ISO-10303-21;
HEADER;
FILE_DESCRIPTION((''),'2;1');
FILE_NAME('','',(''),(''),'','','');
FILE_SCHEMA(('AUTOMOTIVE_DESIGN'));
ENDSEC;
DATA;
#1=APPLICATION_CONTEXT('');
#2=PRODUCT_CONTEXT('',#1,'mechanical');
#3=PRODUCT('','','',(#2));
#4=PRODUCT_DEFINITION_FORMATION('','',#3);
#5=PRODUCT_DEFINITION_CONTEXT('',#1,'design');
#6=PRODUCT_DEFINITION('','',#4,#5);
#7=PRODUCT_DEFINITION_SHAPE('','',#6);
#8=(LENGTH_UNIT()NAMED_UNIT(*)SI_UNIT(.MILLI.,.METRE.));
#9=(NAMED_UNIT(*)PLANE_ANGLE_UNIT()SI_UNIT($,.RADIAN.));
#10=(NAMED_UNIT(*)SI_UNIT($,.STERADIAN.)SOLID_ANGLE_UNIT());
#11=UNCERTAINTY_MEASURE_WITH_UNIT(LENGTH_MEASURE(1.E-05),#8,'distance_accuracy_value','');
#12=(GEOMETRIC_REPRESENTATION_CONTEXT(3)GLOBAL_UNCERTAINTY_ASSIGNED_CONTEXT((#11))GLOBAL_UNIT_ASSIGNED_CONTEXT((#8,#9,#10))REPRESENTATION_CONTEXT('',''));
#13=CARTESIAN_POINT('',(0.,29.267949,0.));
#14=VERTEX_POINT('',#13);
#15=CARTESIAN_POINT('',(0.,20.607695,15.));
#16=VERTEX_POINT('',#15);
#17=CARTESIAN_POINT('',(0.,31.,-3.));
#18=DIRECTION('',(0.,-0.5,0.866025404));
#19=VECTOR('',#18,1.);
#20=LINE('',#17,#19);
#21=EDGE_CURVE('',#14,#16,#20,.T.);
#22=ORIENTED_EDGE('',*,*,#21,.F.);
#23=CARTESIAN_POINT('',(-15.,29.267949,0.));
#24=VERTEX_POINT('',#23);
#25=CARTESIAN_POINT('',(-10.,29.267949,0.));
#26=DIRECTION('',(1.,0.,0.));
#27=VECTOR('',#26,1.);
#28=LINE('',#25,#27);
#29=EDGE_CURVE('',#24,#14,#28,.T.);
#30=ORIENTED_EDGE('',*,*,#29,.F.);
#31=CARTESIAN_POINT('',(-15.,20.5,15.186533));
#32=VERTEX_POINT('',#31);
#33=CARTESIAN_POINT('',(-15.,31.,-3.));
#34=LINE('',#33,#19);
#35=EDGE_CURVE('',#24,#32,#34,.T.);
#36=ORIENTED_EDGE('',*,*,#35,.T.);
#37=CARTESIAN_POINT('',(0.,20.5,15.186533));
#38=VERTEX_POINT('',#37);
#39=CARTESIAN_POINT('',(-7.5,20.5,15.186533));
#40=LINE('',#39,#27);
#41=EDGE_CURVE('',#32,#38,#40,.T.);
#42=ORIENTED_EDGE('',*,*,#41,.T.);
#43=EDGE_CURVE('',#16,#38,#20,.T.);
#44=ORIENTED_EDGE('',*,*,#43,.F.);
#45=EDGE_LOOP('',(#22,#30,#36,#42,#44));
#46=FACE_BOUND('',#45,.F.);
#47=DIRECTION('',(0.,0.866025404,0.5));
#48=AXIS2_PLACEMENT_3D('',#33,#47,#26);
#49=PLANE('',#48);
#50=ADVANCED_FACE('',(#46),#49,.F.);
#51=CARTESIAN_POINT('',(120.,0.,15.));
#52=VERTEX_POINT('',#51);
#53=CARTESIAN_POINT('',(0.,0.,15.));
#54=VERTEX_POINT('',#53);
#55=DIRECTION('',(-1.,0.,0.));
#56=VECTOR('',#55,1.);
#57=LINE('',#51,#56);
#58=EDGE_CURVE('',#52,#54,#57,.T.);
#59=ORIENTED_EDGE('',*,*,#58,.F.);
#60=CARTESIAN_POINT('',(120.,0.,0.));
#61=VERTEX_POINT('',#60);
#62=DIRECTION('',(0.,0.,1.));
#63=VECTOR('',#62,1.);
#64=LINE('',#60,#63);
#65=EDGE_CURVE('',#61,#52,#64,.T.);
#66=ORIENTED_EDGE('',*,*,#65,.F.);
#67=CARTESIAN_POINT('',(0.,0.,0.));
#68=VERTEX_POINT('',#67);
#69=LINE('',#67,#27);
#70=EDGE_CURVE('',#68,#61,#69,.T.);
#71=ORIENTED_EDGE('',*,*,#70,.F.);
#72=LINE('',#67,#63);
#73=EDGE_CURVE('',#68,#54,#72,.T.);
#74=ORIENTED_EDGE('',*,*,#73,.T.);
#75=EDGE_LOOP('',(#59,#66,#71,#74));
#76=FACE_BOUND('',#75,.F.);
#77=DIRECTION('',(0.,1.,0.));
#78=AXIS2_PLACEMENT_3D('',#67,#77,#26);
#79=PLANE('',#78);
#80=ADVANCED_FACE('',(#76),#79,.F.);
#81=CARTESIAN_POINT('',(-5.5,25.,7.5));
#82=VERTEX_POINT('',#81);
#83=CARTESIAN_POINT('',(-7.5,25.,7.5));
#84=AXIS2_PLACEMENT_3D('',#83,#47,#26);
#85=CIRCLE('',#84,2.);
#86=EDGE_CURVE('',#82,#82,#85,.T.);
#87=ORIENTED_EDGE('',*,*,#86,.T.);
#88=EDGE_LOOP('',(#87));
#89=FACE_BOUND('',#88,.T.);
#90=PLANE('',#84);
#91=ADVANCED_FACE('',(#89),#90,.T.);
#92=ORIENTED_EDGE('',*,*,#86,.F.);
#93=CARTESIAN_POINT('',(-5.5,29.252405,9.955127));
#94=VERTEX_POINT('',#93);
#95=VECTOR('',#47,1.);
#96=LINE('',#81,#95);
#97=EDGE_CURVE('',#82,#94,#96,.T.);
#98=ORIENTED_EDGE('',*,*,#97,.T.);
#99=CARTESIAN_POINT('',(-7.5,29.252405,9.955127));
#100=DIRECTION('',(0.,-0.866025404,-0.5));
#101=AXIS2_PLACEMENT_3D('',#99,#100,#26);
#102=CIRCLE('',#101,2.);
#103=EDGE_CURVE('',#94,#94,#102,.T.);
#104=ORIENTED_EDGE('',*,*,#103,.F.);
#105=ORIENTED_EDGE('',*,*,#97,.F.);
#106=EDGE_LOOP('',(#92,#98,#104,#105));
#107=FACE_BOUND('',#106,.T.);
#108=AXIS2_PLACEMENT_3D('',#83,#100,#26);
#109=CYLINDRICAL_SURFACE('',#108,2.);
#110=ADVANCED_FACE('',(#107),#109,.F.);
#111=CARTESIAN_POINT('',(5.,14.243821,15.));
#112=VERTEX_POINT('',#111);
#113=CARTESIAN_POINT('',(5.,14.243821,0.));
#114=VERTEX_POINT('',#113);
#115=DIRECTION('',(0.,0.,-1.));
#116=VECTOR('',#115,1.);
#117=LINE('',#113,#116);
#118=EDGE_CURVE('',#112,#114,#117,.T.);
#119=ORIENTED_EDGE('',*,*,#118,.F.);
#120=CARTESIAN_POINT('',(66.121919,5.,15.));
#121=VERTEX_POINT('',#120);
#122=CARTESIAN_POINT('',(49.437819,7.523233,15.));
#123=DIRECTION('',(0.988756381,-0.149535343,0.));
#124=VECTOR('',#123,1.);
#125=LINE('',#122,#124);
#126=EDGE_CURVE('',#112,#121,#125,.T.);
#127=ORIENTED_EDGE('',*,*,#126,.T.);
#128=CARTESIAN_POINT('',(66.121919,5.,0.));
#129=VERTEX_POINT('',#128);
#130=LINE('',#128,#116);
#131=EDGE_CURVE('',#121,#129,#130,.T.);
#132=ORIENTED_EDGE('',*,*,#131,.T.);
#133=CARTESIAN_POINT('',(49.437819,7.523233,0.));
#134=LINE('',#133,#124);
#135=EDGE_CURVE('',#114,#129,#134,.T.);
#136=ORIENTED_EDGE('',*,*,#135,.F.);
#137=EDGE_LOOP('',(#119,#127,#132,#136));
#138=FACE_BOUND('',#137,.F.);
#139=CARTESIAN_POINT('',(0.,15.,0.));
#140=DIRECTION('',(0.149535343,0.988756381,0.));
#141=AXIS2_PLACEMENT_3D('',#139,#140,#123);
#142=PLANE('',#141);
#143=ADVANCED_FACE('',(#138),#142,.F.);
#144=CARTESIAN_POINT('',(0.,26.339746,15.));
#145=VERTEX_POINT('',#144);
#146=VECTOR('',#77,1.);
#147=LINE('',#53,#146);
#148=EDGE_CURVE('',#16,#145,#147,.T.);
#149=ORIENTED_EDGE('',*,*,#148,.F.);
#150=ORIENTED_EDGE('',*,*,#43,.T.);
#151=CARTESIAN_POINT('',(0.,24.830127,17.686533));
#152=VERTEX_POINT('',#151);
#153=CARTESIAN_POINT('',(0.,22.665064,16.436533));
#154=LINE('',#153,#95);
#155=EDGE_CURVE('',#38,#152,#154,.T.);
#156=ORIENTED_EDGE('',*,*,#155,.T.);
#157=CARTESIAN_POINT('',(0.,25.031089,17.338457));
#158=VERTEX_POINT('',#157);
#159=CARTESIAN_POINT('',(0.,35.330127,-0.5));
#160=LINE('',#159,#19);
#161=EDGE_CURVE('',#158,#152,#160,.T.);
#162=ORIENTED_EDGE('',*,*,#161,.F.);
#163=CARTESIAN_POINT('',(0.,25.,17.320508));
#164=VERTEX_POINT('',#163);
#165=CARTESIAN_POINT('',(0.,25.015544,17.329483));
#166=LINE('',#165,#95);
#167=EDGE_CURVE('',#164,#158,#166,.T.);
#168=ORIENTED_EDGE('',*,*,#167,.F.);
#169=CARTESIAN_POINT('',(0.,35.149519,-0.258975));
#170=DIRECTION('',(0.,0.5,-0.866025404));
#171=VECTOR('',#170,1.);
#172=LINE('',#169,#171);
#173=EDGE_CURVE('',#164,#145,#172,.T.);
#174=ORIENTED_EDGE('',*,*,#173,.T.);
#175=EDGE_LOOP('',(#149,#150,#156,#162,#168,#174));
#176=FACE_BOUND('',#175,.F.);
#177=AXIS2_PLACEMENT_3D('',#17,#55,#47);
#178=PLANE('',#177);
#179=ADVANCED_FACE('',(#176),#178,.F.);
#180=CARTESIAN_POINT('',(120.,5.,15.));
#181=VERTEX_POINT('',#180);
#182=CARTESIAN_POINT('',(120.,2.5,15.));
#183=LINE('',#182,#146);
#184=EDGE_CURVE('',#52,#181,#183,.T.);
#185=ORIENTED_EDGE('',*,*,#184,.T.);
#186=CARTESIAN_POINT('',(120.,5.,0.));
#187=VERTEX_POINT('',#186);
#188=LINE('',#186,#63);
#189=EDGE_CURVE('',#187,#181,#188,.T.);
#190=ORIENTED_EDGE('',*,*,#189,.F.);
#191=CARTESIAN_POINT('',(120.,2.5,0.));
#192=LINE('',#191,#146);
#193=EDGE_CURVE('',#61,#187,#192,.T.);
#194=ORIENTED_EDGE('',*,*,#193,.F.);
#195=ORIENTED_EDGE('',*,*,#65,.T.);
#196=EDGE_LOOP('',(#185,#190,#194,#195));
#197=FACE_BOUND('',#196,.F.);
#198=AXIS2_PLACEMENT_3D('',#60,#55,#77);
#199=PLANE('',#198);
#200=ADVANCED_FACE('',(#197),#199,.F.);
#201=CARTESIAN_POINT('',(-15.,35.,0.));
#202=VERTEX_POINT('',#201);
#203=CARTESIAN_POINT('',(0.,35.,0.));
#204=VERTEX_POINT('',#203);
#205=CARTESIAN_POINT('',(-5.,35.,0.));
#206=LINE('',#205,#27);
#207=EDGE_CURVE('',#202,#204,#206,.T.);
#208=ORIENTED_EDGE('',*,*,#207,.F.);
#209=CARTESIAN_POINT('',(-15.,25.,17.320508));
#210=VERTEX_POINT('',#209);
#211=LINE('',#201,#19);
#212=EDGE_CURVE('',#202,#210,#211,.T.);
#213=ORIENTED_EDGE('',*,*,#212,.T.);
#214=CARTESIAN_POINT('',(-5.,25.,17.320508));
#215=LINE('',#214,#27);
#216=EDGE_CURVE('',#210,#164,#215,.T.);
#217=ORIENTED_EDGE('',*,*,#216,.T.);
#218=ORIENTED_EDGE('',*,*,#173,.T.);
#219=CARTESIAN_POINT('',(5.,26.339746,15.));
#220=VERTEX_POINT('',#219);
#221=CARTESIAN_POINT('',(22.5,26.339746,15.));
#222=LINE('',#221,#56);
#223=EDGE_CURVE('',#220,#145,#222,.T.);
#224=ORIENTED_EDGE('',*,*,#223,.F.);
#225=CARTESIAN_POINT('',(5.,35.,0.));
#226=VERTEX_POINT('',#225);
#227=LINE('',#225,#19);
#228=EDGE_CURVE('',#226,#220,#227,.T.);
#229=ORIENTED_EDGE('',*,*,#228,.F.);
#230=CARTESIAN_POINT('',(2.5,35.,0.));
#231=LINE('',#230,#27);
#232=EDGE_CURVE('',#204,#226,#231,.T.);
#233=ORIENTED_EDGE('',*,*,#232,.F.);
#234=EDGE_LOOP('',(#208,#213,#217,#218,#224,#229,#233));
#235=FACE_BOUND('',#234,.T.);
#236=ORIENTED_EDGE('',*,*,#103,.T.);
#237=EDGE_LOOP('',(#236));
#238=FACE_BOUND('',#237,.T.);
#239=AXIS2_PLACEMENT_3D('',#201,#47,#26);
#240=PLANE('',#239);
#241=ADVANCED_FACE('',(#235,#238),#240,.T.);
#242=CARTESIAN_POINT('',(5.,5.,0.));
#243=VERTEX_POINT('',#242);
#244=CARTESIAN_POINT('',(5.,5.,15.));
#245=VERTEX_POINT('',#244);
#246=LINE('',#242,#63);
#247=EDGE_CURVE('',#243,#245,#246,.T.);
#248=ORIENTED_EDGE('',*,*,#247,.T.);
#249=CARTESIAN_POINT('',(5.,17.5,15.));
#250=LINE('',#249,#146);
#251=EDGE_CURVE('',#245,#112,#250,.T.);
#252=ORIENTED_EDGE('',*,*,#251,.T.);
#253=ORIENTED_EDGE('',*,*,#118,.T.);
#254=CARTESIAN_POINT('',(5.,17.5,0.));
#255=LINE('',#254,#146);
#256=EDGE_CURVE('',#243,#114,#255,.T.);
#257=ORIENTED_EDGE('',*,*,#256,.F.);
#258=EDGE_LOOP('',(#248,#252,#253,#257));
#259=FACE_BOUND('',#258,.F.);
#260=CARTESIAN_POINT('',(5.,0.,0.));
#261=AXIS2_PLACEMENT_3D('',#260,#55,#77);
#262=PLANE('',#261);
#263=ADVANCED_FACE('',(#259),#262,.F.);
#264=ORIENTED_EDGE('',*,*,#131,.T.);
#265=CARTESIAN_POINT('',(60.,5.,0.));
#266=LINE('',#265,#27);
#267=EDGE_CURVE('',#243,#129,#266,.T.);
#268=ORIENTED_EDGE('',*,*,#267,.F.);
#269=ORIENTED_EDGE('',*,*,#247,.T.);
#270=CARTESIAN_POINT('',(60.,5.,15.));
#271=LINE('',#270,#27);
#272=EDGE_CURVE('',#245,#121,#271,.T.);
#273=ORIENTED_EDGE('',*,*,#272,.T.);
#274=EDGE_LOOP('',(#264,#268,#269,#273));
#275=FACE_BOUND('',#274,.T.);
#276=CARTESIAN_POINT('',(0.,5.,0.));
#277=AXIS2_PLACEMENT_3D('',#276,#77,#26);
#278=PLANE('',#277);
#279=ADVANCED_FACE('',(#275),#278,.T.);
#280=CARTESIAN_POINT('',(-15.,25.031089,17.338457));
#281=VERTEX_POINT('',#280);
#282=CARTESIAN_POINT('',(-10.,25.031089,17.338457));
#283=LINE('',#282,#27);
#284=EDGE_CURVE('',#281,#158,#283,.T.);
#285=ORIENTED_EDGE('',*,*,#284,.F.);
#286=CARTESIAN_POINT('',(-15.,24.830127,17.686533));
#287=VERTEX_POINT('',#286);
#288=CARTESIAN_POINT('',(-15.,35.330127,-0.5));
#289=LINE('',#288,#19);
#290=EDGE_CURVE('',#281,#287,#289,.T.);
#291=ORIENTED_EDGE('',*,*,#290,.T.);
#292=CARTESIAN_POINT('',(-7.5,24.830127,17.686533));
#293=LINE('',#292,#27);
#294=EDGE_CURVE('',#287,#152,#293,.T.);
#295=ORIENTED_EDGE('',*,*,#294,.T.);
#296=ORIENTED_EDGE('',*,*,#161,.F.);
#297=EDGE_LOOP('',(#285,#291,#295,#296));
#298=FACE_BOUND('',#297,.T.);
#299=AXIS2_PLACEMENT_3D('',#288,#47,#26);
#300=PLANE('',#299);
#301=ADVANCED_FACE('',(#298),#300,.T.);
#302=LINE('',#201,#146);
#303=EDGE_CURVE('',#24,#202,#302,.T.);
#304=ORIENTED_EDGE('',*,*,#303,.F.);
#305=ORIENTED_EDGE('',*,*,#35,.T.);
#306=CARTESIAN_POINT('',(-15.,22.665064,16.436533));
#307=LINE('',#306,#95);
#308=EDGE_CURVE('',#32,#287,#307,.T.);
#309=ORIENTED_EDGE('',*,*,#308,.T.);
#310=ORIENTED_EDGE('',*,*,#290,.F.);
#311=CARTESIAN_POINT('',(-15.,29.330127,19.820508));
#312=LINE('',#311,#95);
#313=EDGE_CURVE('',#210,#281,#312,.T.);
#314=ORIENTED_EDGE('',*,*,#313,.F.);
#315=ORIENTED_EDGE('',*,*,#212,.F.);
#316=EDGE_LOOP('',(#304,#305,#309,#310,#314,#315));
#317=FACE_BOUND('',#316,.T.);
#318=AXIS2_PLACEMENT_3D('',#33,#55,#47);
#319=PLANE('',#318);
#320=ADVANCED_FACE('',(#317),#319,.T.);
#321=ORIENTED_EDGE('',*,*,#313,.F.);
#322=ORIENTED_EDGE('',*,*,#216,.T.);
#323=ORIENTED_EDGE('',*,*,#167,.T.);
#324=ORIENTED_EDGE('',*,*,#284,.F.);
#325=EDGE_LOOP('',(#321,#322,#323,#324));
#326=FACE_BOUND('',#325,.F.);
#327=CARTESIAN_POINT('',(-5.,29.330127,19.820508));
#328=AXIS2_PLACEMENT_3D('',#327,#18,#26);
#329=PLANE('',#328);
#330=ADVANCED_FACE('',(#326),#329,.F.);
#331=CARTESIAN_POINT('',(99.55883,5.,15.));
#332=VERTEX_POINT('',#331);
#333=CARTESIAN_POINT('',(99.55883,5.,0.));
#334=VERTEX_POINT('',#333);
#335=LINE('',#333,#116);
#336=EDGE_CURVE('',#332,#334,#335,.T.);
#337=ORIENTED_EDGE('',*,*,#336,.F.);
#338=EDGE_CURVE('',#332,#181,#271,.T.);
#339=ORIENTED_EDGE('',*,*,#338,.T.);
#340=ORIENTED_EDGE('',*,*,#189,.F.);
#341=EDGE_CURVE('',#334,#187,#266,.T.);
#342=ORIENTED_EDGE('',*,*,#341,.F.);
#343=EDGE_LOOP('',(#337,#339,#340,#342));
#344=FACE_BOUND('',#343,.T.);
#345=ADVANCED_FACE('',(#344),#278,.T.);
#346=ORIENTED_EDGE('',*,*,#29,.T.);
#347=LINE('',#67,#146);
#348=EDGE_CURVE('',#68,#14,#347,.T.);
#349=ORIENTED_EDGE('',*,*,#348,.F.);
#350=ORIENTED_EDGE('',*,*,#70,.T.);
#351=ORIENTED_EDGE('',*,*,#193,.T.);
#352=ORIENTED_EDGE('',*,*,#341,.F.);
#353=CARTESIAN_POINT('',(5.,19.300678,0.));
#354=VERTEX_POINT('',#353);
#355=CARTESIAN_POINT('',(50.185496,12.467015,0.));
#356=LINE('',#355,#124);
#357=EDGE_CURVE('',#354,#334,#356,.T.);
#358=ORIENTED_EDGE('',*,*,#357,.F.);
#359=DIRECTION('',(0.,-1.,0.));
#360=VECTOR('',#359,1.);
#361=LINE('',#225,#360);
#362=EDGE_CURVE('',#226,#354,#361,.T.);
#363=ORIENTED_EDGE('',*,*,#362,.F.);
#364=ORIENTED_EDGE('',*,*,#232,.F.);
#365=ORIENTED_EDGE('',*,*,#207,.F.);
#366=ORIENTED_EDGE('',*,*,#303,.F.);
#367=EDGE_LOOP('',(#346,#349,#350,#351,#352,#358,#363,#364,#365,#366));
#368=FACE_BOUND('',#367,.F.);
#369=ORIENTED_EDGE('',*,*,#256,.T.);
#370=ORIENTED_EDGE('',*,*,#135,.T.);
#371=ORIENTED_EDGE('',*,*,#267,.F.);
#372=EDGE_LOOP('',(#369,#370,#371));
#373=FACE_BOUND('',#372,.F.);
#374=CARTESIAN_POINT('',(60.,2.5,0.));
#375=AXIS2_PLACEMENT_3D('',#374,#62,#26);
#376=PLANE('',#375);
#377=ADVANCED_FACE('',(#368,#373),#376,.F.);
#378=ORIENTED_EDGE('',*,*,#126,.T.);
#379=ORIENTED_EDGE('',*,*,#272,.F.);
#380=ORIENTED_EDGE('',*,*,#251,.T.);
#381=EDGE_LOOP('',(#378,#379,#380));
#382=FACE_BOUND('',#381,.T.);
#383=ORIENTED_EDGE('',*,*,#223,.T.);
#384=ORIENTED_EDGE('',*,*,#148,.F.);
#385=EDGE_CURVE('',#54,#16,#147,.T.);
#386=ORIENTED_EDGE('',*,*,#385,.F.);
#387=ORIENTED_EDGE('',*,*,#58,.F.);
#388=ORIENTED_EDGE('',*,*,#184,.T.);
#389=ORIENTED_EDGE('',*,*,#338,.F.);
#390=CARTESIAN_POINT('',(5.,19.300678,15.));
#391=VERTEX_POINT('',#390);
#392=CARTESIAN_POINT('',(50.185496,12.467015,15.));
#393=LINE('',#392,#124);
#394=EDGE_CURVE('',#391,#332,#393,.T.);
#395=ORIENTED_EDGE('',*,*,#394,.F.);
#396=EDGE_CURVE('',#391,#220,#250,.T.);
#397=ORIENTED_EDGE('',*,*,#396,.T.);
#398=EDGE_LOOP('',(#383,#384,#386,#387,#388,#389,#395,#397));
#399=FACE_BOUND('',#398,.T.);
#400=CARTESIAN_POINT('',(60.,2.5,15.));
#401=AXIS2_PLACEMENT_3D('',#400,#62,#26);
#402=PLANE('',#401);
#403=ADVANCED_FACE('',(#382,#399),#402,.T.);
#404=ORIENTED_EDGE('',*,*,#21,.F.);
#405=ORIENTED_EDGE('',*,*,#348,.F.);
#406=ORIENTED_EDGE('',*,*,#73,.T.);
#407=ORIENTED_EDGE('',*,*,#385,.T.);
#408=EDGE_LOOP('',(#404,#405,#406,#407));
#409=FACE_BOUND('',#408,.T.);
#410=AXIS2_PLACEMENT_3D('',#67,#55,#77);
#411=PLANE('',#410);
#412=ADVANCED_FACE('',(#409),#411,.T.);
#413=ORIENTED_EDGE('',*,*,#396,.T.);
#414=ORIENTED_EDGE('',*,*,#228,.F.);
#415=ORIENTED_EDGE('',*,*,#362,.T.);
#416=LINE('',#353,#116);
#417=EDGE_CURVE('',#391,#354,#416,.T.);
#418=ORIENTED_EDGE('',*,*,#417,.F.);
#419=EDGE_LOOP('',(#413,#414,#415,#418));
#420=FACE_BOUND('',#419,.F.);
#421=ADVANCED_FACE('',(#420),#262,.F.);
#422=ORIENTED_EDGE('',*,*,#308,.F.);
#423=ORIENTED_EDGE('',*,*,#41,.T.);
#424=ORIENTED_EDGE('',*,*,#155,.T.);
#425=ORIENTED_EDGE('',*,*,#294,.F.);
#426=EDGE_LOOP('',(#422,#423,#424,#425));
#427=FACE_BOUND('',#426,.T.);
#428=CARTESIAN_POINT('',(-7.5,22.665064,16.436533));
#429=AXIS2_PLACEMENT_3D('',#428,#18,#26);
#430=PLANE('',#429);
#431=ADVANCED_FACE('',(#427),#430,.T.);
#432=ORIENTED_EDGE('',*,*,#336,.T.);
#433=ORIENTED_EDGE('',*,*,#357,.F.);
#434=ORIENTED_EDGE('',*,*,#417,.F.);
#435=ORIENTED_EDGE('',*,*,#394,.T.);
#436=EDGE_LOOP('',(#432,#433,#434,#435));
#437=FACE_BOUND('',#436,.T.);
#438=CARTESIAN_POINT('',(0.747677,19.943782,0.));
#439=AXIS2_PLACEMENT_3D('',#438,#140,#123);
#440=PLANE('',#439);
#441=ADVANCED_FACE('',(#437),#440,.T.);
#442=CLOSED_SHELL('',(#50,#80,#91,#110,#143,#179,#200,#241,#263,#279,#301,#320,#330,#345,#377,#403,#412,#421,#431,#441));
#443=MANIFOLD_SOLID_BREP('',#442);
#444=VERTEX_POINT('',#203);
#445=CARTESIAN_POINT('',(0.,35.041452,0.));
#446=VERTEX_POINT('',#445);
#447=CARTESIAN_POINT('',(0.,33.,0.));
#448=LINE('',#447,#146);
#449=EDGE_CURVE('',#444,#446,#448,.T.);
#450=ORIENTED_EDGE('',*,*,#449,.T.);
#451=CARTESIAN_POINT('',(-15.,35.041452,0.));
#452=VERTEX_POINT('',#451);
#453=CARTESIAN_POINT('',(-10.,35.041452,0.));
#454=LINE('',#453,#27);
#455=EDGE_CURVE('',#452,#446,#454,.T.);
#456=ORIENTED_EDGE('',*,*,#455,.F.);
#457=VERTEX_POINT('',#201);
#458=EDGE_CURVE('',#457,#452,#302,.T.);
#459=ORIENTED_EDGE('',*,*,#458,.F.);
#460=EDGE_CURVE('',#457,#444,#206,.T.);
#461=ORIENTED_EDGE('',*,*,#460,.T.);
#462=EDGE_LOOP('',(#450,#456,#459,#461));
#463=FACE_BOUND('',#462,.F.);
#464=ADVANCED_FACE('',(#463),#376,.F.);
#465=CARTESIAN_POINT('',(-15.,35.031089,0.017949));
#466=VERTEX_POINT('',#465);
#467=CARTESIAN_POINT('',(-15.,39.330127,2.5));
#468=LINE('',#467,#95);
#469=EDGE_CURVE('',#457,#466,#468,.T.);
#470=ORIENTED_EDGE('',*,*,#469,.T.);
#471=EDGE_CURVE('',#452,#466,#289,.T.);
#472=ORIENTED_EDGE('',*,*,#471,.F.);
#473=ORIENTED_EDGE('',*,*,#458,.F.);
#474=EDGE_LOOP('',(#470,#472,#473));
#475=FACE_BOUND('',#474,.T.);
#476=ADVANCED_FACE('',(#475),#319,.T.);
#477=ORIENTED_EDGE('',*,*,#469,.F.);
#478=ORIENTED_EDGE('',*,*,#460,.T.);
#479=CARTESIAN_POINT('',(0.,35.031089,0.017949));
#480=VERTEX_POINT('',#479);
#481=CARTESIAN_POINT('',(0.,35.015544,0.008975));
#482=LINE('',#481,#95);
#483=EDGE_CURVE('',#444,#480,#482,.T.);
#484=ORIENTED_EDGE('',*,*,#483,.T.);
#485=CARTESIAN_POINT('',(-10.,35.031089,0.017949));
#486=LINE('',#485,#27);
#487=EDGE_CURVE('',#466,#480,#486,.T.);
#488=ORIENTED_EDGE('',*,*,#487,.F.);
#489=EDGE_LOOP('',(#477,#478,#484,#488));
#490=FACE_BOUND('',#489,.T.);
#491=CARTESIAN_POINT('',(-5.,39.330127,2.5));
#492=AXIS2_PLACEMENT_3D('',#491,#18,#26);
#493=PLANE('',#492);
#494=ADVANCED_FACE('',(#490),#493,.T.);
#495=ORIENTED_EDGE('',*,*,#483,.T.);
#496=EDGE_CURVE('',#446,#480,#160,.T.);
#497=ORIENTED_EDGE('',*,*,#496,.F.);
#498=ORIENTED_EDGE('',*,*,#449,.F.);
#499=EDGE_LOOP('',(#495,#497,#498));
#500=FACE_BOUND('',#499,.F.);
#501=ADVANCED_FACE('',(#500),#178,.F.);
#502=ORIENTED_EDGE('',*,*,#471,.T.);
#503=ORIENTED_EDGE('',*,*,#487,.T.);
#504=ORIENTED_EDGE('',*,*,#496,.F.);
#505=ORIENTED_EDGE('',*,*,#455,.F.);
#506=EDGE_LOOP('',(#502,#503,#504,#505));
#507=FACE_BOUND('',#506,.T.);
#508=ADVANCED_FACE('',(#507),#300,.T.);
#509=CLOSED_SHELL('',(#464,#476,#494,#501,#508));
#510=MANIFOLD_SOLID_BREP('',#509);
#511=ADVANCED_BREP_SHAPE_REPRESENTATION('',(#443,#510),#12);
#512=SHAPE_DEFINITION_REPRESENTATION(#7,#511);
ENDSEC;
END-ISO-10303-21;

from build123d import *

# Parameters (mm, degrees)
CYLINDER_R             = 2
CYLINDER_DEPTH         = 10
CYLINDER_ROLL_ANGLE    = -60
BOX003_W               = 20
BOX003_H               = 10
BOX003_DEPTH           = 20
BOX003_PLACEMENT_ANGLE = 30
BOX005_W               = 20
BOX005_H               = 20
BOX005_DEPTH           = 5
BOX001_W               = 5
BOX001_H               = 35
BOX001_DEPTH           = 15
BOX002_W               = 15
BOX002_H               = 5
BOX002_DEPTH           = 21
BOX002_PLACEMENT_ANGLE = 30
BOX004_W               = 100
BOX004_H               = 5
BOX004_DEPTH           = 15
BOX004_PLACEMENT_ANGLE = -8.6
BOX_W                  = 120
BOX_H                  = 5
BOX_DEPTH              = 15


with BuildPart() as cylinder:
    # Cylinder → Cylinder (new body)
    with BuildSketch(Plane.XY):
        Circle(CYLINDER_R)
    extrude(amount=CYLINDER_DEPTH)


with BuildPart() as cylinder_1:
    # Cylinder roll: moved
    add(cylinder.part.rotate(Axis((0, 0, 0), (1, 0, 0)), CYLINDER_ROLL_ANGLE))


with BuildPart() as cylinder_2:
    # Cylinder placement: moved
    add(cylinder_1.part.moved(Location((-7.5, 25, 7.5))))


with BuildPart() as cube003:
    # Box003 → Box003 (new body)
    with BuildSketch(Plane.XY):
        with Locations((10, 5)):
            Rectangle(BOX003_W, BOX003_H)
    extrude(amount=BOX003_DEPTH)


with BuildPart() as cube003_1:
    # Box003 placement: moved
    add(cube003.part.moved(Location((-15, 35, 0))).rotate(Axis((-15, 35, 0), (1, 0, 0)), BOX003_PLACEMENT_ANGLE))


with BuildPart() as cube005:
    # Box005 → Box005 (new body)
    with BuildSketch(Plane(origin=(-15, 25, -5), x_dir=(1, 0, 0), z_dir=(0, 0, 1))):
        with Locations((10, 10)):
            Rectangle(BOX005_W, BOX005_H)
    extrude(amount=BOX005_DEPTH)


with BuildPart() as cube001:
    # Box001 → Box001 (new body)
    with BuildSketch(Plane.XY):
        with Locations((2.5, 17.5)):
            Rectangle(BOX001_W, BOX001_H)
    extrude(amount=BOX001_DEPTH)


with BuildPart() as cube002:
    # Box002 → Box002 (new body)
    with BuildSketch(Plane.XY):
        with Locations((7.5, 2.5)):
            Rectangle(BOX002_W, BOX002_H)
    extrude(amount=BOX002_DEPTH)


with BuildPart() as cube002_1:
    # Box002 placement: moved
    add(cube002.part.moved(Location((-15, 31, -3))).rotate(Axis((-15, 31, -3), (1, 0, 0)), BOX002_PLACEMENT_ANGLE))


with BuildPart() as cube004:
    # Box004 → Box004 (new body)
    with BuildSketch(Plane.XY):
        with Locations((50, 2.5)):
            Rectangle(BOX004_W, BOX004_H)
    extrude(amount=BOX004_DEPTH)


with BuildPart() as cube004_1:
    # Box004 placement: moved
    add(cube004.part.moved(Location((0, 15, 0))).rotate(Axis((0, 15, 0), (0, 0, 1)), BOX004_PLACEMENT_ANGLE))


with BuildPart() as z_probe_release_strut:
    # Box → Box (new body)
    with BuildSketch(Plane.XY):
        with Locations((60, 2.5)):
            Rectangle(BOX_W, BOX_H)
    extrude(amount=BOX_DEPTH)

    # Fusion: union Cube001, Cube002, Cube004
    add(cube001.part)
    add(cube002_1.part)
    add(cube004_1.part)

    # Cut: cut Cube005
    add(cube005.part, mode=Mode.SUBTRACT)

    # Cut001: cut Cube003
    add(cube003_1.part, mode=Mode.SUBTRACT)

    # Cut002: cut Cylinder
    add(cylinder_2.part, mode=Mode.SUBTRACT)


solid = z_probe_release_strut.part
